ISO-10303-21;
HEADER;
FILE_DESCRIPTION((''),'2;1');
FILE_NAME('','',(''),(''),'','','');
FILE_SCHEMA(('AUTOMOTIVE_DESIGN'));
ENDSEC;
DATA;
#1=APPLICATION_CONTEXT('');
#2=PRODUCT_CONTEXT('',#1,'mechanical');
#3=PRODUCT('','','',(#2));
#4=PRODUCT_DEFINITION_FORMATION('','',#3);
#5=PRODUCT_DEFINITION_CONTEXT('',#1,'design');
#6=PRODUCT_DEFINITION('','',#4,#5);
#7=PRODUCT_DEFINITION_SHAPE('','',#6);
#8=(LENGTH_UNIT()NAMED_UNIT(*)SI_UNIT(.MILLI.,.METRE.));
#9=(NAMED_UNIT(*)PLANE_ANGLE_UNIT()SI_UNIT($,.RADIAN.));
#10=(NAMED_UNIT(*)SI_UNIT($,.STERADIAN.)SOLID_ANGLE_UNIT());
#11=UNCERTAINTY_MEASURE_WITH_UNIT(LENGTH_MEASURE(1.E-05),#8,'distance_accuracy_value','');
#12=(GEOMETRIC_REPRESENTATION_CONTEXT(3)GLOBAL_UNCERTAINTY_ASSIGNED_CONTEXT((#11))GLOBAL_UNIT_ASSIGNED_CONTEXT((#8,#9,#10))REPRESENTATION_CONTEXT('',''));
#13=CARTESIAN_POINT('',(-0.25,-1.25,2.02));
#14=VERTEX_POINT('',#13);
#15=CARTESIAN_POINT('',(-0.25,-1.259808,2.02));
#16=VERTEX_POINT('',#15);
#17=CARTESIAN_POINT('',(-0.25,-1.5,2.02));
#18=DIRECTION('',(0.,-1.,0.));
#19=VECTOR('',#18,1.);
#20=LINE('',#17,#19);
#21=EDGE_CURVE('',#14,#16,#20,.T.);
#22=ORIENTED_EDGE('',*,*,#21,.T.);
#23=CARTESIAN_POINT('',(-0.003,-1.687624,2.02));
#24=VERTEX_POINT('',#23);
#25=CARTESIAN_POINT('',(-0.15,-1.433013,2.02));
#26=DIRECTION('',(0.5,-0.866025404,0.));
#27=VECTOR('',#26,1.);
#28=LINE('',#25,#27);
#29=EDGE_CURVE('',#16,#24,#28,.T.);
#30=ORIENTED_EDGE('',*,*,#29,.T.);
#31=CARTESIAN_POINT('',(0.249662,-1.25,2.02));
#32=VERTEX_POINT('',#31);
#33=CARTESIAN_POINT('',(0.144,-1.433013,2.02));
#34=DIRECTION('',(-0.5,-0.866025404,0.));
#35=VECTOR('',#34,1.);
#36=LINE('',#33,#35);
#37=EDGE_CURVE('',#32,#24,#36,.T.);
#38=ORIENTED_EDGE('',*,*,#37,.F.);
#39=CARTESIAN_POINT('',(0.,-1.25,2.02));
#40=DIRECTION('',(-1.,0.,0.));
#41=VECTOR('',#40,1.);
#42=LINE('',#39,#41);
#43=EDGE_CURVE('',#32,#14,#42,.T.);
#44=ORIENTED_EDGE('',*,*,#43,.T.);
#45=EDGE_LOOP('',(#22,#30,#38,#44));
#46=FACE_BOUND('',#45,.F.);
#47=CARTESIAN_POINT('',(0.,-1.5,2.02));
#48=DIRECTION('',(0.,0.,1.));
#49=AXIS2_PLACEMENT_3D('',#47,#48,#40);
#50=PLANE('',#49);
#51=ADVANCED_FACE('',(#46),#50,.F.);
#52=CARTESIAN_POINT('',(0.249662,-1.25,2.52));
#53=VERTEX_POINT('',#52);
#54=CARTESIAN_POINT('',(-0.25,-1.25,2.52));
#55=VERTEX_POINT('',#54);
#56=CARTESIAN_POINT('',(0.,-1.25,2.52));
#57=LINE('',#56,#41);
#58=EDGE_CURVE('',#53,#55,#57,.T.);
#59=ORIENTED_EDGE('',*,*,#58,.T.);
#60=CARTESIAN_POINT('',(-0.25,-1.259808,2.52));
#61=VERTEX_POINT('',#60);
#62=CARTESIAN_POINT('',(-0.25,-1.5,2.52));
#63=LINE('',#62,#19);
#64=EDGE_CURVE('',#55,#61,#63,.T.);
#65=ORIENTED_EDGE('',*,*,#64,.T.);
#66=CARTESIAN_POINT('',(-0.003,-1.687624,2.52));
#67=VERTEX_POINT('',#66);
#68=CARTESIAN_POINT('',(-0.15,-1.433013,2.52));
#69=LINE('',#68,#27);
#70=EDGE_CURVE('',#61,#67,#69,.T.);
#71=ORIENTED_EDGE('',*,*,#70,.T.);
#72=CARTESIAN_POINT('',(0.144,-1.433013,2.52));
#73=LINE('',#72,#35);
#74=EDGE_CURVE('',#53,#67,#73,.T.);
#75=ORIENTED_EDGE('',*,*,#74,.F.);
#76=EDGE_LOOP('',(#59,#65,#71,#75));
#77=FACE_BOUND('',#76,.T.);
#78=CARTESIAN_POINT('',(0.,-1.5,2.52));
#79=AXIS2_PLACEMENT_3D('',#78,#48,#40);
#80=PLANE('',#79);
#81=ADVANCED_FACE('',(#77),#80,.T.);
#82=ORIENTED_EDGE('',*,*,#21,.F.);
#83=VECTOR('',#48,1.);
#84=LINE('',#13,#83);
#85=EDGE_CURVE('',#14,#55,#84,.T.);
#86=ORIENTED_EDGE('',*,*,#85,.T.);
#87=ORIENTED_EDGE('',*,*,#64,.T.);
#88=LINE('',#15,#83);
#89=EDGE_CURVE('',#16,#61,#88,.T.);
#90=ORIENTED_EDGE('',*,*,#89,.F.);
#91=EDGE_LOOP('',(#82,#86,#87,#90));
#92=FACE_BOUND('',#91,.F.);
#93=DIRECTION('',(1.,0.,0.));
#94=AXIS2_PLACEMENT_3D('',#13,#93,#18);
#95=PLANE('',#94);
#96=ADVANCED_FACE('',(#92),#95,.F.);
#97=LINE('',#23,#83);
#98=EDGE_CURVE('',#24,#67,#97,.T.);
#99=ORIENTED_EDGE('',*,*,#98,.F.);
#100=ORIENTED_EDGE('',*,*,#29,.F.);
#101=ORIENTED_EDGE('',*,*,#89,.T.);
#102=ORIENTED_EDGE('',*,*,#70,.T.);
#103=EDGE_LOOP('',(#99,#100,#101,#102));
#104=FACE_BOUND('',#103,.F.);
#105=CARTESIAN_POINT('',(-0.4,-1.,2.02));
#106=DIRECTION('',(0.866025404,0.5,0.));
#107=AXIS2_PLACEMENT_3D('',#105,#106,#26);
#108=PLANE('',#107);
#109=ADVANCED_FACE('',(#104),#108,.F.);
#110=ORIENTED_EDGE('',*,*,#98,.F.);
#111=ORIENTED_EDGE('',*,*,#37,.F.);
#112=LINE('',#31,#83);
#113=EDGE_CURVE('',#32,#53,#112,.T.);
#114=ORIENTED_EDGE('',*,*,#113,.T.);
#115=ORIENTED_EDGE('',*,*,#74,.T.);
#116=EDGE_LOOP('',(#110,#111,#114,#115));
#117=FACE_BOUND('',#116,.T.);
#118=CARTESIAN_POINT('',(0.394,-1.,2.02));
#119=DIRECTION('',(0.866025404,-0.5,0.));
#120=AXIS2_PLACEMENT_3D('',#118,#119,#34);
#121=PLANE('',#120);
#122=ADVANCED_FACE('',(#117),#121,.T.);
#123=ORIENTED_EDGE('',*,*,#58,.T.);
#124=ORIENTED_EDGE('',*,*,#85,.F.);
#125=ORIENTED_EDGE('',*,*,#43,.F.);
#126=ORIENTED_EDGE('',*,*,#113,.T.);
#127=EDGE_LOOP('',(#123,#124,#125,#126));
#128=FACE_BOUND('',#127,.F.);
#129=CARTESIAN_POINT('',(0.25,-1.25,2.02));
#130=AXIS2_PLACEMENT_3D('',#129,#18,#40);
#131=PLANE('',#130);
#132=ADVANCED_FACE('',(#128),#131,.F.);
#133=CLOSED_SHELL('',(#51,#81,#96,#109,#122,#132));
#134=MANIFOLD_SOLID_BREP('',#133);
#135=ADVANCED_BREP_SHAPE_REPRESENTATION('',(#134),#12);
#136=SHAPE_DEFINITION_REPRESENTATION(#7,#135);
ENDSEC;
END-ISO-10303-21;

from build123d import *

# Parameters (mm, degrees)
BOX031_W               = 1
BOX031_H               = 1
BOX031_DEPTH           = 0.5
BOX031_PLACEMENT_ANGLE = 30
BOX032_W               = 1
BOX032_H               = 1
BOX032_DEPTH           = 0.5
BOX032_PLACEMENT_ANGLE = 60
BOX030_W               = 0.5
BOX030_H               = 0.5
BOX030_DEPTH           = 0.5
CUT022_PLACEMENT_ANGLE = 180


with BuildPart() as kub031:
    # Box031 → Box031 (new body)
    with BuildSketch(Plane.XY):
        with Locations((0.5, 0.5)):
            Rectangle(BOX031_W, BOX031_H)
    extrude(amount=BOX031_DEPTH)


with BuildPart() as kub031_1:
    # Box031 placement: moved
    add(kub031.part.moved(Location((0.4, 1, 2.02))).rotate(Axis((0.4, 1, 2.02), (0, 0, 1)), BOX031_PLACEMENT_ANGLE))


with BuildPart() as kub032:
    # Box032 → Box032 (new body)
    with BuildSketch(Plane.XY):
        with Locations((0.5, 0.5)):
            Rectangle(BOX032_W, BOX032_H)
    extrude(amount=BOX032_DEPTH)


with BuildPart() as kub032_1:
    # Box032 placement: moved
    add(kub032.part.moved(Location((-0.394, 1, 2.02))).rotate(Axis((-0.394, 1, 2.02), (0, 0, 1)), BOX032_PLACEMENT_ANGLE))


with BuildPart() as cut022:
    # Box030 → Box030 (new body)
    with BuildSketch(Plane(origin=(-0.25, 1.25, 2.02), x_dir=(1, 0, 0), z_dir=(0, 0, 1))):
        with Locations((0.25, 0.25)):
            Rectangle(BOX030_W, BOX030_H)
    extrude(amount=BOX030_DEPTH)

    # Cut021: cut Kub032
    add(kub032_1.part, mode=Mode.SUBTRACT)

    # Cut022: cut Kub031
    add(kub031_1.part, mode=Mode.SUBTRACT)


with BuildPart() as cut022_1:
    # Cut022 placement: moved
    add(cut022.part.rotate(Axis((0, 0, 0), (0, 0, 1)), CUT022_PLACEMENT_ANGLE))


solid = cut022_1.part
